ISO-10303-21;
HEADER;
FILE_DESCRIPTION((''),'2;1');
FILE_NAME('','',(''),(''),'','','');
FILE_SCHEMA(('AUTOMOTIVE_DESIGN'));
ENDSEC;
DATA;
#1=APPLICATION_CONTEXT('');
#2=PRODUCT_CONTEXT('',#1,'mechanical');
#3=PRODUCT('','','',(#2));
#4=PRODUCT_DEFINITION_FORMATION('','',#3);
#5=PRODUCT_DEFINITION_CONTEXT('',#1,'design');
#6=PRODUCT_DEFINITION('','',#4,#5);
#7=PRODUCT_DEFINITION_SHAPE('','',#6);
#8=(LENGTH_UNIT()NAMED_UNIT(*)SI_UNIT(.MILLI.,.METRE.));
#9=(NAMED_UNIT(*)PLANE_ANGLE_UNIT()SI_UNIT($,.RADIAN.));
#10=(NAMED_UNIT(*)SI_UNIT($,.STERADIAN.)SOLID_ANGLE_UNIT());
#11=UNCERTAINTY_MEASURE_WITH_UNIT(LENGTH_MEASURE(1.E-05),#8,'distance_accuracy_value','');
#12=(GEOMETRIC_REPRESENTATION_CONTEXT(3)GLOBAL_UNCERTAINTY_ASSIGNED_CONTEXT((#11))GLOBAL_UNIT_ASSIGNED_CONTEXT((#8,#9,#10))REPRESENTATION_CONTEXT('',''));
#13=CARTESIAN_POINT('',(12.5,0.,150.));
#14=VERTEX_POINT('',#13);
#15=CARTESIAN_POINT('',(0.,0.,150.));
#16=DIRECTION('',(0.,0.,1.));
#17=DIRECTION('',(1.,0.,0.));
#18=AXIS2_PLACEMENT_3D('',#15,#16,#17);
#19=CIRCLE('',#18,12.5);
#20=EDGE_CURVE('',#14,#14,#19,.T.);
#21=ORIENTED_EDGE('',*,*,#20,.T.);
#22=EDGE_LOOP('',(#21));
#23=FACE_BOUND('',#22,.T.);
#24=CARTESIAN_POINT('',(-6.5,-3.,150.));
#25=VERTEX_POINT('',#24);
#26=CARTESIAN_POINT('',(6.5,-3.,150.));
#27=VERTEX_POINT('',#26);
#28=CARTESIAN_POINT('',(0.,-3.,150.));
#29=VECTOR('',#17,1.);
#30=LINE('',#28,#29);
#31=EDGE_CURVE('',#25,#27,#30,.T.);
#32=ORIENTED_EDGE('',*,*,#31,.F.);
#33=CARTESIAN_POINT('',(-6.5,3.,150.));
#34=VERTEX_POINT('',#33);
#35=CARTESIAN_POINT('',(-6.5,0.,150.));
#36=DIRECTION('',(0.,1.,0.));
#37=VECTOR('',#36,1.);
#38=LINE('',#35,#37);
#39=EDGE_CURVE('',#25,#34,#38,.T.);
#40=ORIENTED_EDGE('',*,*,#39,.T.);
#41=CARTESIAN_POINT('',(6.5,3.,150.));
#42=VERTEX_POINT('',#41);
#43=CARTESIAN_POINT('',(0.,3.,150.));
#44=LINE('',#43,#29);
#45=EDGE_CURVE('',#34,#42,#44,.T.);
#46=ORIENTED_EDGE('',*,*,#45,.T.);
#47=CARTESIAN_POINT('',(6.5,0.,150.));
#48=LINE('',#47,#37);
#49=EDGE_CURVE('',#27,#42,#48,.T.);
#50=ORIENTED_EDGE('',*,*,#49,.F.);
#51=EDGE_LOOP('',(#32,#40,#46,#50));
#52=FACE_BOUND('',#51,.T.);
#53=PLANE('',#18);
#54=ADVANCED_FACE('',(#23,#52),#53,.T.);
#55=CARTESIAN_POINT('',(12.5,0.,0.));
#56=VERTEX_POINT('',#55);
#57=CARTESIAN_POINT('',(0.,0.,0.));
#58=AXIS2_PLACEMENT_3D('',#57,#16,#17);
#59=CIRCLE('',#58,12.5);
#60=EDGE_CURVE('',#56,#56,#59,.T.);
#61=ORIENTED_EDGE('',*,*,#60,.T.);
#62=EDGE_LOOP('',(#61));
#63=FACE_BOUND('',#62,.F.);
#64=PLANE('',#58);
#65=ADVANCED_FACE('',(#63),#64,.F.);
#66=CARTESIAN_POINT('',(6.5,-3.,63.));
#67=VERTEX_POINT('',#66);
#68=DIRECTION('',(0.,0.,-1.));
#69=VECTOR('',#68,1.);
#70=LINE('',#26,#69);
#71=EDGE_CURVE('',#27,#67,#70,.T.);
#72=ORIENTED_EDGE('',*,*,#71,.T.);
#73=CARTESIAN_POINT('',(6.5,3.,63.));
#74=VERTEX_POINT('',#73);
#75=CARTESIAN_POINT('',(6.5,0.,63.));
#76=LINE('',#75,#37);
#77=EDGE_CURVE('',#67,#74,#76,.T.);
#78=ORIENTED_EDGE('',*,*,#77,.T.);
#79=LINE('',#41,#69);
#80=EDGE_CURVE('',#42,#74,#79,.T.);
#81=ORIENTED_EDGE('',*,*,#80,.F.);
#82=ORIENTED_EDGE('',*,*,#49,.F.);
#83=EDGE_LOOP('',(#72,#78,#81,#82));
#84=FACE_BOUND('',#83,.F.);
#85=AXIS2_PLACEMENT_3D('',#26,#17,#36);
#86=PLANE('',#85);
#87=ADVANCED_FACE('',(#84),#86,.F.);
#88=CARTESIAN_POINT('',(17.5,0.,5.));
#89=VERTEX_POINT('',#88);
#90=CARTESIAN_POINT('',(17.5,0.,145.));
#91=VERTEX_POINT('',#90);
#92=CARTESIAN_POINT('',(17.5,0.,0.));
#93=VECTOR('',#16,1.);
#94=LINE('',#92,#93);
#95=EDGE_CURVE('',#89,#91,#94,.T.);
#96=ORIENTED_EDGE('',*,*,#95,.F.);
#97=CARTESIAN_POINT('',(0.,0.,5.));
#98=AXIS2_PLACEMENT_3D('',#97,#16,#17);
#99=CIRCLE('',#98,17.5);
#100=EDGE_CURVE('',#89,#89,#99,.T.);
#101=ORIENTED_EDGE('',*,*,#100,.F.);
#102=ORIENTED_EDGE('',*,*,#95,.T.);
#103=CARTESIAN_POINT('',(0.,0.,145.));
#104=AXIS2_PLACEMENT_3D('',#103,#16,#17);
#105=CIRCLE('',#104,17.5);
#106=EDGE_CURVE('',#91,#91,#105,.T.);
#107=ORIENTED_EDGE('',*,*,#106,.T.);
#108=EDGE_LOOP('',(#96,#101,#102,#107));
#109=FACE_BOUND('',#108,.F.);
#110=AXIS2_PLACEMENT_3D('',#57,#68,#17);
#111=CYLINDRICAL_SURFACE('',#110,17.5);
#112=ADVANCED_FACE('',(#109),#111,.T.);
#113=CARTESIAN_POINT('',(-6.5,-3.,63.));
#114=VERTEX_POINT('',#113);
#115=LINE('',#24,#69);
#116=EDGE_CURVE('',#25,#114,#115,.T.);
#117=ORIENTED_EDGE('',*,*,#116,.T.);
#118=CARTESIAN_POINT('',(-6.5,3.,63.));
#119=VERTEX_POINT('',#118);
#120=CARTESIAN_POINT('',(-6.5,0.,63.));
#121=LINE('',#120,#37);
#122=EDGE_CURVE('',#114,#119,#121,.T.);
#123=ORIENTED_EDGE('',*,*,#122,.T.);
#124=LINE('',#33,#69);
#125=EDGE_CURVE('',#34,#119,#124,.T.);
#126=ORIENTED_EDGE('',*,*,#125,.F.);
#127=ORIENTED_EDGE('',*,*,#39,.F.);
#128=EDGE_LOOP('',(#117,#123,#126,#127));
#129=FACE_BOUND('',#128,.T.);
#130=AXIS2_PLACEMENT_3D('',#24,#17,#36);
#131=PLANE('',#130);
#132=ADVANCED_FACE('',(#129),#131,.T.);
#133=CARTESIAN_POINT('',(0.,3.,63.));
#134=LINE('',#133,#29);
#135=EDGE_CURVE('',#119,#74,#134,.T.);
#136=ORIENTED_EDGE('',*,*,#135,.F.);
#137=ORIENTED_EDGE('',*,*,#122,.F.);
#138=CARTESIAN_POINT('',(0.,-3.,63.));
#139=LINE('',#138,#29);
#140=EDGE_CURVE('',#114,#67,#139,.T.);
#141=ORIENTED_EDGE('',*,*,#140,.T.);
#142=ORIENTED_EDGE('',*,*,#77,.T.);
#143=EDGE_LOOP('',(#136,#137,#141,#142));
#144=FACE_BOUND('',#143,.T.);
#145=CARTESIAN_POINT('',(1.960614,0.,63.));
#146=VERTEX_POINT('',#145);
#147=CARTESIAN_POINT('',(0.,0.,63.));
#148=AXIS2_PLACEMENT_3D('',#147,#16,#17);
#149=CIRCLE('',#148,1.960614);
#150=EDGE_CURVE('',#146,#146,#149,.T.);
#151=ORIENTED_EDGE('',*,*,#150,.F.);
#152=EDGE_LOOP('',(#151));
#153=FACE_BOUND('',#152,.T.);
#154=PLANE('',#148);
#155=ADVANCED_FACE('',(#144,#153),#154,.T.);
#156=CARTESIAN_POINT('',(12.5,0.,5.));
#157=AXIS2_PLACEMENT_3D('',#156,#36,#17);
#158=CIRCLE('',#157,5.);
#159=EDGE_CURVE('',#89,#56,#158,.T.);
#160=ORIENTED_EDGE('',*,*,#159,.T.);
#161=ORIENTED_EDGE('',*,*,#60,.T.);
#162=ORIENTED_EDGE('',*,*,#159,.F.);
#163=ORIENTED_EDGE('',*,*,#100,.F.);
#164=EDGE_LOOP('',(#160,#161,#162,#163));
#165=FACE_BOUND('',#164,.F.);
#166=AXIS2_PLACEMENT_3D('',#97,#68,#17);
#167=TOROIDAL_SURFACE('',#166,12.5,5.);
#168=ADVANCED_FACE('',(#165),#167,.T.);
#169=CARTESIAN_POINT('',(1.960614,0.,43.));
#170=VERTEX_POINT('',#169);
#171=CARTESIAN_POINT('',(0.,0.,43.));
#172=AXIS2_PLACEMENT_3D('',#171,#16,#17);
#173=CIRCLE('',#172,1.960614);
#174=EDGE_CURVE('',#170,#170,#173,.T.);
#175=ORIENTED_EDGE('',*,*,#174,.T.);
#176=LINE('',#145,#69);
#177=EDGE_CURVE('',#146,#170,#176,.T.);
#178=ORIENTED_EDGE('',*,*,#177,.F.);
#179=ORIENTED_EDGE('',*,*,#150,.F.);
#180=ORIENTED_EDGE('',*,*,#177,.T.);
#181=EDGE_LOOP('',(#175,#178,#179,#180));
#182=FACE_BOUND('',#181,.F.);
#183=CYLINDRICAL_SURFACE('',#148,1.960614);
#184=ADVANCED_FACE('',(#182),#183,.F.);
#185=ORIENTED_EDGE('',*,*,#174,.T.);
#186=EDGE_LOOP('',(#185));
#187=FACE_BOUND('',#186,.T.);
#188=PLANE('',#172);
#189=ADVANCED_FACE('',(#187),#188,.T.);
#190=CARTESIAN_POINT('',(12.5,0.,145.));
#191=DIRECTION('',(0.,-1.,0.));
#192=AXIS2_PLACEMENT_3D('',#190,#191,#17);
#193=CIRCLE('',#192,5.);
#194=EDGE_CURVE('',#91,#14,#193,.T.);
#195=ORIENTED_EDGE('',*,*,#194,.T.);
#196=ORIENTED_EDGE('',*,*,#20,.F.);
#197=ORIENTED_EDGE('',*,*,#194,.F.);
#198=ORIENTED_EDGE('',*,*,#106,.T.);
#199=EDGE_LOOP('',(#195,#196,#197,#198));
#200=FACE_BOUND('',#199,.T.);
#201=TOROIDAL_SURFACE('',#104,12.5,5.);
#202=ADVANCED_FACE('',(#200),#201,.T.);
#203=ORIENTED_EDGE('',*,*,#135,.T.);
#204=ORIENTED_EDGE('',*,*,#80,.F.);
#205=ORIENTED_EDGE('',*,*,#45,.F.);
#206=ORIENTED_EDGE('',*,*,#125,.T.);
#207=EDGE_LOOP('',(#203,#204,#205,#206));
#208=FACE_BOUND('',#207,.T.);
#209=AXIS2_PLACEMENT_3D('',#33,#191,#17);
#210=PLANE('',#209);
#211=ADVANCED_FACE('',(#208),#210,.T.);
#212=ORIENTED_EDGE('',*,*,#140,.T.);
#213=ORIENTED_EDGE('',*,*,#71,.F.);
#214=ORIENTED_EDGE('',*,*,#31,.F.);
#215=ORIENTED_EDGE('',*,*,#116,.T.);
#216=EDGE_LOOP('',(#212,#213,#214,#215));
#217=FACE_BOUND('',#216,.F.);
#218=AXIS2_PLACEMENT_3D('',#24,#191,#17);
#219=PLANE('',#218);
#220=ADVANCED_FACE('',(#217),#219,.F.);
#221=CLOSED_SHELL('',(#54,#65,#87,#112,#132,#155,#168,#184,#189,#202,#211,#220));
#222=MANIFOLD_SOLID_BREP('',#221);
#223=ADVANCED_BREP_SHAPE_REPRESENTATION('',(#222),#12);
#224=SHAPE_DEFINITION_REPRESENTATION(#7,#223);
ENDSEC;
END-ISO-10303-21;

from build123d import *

# Parameters (mm, degrees)
F0_R     = 17.5
F1_DEPTH = 150
F2_W     = 13
F2_H     = 6
F3_DEPTH = 87
F4_R     = 1.960614
F5_DEPTH = 20
F6_R     = 5


with BuildPart() as f1:
    # F0 (on Top) → F1 (new body)
    with BuildSketch(Plane.XY):
        Circle(F0_R)
    extrude(amount=F1_DEPTH)

    # F2 (on face) → F3 (cut)
    with BuildSketch(Plane.XY.offset(150)):
        Rectangle(F2_W, F2_H)
    extrude(amount=-F3_DEPTH, mode=Mode.SUBTRACT)

    # F4 (on face) → F5 (cut)
    with BuildSketch(Plane.XY.offset(63)):
        Circle(F4_R)
    extrude(amount=-F5_DEPTH, mode=Mode.SUBTRACT)

    # F6
    f6_edges = [f1.edges().sort_by_distance(p)[0] for p in [
        (-17.5, 0, 150),
        (-17.5, 0, 0),
    ]]
    fillet(f6_edges, radius=F6_R)


solid = f1.part
